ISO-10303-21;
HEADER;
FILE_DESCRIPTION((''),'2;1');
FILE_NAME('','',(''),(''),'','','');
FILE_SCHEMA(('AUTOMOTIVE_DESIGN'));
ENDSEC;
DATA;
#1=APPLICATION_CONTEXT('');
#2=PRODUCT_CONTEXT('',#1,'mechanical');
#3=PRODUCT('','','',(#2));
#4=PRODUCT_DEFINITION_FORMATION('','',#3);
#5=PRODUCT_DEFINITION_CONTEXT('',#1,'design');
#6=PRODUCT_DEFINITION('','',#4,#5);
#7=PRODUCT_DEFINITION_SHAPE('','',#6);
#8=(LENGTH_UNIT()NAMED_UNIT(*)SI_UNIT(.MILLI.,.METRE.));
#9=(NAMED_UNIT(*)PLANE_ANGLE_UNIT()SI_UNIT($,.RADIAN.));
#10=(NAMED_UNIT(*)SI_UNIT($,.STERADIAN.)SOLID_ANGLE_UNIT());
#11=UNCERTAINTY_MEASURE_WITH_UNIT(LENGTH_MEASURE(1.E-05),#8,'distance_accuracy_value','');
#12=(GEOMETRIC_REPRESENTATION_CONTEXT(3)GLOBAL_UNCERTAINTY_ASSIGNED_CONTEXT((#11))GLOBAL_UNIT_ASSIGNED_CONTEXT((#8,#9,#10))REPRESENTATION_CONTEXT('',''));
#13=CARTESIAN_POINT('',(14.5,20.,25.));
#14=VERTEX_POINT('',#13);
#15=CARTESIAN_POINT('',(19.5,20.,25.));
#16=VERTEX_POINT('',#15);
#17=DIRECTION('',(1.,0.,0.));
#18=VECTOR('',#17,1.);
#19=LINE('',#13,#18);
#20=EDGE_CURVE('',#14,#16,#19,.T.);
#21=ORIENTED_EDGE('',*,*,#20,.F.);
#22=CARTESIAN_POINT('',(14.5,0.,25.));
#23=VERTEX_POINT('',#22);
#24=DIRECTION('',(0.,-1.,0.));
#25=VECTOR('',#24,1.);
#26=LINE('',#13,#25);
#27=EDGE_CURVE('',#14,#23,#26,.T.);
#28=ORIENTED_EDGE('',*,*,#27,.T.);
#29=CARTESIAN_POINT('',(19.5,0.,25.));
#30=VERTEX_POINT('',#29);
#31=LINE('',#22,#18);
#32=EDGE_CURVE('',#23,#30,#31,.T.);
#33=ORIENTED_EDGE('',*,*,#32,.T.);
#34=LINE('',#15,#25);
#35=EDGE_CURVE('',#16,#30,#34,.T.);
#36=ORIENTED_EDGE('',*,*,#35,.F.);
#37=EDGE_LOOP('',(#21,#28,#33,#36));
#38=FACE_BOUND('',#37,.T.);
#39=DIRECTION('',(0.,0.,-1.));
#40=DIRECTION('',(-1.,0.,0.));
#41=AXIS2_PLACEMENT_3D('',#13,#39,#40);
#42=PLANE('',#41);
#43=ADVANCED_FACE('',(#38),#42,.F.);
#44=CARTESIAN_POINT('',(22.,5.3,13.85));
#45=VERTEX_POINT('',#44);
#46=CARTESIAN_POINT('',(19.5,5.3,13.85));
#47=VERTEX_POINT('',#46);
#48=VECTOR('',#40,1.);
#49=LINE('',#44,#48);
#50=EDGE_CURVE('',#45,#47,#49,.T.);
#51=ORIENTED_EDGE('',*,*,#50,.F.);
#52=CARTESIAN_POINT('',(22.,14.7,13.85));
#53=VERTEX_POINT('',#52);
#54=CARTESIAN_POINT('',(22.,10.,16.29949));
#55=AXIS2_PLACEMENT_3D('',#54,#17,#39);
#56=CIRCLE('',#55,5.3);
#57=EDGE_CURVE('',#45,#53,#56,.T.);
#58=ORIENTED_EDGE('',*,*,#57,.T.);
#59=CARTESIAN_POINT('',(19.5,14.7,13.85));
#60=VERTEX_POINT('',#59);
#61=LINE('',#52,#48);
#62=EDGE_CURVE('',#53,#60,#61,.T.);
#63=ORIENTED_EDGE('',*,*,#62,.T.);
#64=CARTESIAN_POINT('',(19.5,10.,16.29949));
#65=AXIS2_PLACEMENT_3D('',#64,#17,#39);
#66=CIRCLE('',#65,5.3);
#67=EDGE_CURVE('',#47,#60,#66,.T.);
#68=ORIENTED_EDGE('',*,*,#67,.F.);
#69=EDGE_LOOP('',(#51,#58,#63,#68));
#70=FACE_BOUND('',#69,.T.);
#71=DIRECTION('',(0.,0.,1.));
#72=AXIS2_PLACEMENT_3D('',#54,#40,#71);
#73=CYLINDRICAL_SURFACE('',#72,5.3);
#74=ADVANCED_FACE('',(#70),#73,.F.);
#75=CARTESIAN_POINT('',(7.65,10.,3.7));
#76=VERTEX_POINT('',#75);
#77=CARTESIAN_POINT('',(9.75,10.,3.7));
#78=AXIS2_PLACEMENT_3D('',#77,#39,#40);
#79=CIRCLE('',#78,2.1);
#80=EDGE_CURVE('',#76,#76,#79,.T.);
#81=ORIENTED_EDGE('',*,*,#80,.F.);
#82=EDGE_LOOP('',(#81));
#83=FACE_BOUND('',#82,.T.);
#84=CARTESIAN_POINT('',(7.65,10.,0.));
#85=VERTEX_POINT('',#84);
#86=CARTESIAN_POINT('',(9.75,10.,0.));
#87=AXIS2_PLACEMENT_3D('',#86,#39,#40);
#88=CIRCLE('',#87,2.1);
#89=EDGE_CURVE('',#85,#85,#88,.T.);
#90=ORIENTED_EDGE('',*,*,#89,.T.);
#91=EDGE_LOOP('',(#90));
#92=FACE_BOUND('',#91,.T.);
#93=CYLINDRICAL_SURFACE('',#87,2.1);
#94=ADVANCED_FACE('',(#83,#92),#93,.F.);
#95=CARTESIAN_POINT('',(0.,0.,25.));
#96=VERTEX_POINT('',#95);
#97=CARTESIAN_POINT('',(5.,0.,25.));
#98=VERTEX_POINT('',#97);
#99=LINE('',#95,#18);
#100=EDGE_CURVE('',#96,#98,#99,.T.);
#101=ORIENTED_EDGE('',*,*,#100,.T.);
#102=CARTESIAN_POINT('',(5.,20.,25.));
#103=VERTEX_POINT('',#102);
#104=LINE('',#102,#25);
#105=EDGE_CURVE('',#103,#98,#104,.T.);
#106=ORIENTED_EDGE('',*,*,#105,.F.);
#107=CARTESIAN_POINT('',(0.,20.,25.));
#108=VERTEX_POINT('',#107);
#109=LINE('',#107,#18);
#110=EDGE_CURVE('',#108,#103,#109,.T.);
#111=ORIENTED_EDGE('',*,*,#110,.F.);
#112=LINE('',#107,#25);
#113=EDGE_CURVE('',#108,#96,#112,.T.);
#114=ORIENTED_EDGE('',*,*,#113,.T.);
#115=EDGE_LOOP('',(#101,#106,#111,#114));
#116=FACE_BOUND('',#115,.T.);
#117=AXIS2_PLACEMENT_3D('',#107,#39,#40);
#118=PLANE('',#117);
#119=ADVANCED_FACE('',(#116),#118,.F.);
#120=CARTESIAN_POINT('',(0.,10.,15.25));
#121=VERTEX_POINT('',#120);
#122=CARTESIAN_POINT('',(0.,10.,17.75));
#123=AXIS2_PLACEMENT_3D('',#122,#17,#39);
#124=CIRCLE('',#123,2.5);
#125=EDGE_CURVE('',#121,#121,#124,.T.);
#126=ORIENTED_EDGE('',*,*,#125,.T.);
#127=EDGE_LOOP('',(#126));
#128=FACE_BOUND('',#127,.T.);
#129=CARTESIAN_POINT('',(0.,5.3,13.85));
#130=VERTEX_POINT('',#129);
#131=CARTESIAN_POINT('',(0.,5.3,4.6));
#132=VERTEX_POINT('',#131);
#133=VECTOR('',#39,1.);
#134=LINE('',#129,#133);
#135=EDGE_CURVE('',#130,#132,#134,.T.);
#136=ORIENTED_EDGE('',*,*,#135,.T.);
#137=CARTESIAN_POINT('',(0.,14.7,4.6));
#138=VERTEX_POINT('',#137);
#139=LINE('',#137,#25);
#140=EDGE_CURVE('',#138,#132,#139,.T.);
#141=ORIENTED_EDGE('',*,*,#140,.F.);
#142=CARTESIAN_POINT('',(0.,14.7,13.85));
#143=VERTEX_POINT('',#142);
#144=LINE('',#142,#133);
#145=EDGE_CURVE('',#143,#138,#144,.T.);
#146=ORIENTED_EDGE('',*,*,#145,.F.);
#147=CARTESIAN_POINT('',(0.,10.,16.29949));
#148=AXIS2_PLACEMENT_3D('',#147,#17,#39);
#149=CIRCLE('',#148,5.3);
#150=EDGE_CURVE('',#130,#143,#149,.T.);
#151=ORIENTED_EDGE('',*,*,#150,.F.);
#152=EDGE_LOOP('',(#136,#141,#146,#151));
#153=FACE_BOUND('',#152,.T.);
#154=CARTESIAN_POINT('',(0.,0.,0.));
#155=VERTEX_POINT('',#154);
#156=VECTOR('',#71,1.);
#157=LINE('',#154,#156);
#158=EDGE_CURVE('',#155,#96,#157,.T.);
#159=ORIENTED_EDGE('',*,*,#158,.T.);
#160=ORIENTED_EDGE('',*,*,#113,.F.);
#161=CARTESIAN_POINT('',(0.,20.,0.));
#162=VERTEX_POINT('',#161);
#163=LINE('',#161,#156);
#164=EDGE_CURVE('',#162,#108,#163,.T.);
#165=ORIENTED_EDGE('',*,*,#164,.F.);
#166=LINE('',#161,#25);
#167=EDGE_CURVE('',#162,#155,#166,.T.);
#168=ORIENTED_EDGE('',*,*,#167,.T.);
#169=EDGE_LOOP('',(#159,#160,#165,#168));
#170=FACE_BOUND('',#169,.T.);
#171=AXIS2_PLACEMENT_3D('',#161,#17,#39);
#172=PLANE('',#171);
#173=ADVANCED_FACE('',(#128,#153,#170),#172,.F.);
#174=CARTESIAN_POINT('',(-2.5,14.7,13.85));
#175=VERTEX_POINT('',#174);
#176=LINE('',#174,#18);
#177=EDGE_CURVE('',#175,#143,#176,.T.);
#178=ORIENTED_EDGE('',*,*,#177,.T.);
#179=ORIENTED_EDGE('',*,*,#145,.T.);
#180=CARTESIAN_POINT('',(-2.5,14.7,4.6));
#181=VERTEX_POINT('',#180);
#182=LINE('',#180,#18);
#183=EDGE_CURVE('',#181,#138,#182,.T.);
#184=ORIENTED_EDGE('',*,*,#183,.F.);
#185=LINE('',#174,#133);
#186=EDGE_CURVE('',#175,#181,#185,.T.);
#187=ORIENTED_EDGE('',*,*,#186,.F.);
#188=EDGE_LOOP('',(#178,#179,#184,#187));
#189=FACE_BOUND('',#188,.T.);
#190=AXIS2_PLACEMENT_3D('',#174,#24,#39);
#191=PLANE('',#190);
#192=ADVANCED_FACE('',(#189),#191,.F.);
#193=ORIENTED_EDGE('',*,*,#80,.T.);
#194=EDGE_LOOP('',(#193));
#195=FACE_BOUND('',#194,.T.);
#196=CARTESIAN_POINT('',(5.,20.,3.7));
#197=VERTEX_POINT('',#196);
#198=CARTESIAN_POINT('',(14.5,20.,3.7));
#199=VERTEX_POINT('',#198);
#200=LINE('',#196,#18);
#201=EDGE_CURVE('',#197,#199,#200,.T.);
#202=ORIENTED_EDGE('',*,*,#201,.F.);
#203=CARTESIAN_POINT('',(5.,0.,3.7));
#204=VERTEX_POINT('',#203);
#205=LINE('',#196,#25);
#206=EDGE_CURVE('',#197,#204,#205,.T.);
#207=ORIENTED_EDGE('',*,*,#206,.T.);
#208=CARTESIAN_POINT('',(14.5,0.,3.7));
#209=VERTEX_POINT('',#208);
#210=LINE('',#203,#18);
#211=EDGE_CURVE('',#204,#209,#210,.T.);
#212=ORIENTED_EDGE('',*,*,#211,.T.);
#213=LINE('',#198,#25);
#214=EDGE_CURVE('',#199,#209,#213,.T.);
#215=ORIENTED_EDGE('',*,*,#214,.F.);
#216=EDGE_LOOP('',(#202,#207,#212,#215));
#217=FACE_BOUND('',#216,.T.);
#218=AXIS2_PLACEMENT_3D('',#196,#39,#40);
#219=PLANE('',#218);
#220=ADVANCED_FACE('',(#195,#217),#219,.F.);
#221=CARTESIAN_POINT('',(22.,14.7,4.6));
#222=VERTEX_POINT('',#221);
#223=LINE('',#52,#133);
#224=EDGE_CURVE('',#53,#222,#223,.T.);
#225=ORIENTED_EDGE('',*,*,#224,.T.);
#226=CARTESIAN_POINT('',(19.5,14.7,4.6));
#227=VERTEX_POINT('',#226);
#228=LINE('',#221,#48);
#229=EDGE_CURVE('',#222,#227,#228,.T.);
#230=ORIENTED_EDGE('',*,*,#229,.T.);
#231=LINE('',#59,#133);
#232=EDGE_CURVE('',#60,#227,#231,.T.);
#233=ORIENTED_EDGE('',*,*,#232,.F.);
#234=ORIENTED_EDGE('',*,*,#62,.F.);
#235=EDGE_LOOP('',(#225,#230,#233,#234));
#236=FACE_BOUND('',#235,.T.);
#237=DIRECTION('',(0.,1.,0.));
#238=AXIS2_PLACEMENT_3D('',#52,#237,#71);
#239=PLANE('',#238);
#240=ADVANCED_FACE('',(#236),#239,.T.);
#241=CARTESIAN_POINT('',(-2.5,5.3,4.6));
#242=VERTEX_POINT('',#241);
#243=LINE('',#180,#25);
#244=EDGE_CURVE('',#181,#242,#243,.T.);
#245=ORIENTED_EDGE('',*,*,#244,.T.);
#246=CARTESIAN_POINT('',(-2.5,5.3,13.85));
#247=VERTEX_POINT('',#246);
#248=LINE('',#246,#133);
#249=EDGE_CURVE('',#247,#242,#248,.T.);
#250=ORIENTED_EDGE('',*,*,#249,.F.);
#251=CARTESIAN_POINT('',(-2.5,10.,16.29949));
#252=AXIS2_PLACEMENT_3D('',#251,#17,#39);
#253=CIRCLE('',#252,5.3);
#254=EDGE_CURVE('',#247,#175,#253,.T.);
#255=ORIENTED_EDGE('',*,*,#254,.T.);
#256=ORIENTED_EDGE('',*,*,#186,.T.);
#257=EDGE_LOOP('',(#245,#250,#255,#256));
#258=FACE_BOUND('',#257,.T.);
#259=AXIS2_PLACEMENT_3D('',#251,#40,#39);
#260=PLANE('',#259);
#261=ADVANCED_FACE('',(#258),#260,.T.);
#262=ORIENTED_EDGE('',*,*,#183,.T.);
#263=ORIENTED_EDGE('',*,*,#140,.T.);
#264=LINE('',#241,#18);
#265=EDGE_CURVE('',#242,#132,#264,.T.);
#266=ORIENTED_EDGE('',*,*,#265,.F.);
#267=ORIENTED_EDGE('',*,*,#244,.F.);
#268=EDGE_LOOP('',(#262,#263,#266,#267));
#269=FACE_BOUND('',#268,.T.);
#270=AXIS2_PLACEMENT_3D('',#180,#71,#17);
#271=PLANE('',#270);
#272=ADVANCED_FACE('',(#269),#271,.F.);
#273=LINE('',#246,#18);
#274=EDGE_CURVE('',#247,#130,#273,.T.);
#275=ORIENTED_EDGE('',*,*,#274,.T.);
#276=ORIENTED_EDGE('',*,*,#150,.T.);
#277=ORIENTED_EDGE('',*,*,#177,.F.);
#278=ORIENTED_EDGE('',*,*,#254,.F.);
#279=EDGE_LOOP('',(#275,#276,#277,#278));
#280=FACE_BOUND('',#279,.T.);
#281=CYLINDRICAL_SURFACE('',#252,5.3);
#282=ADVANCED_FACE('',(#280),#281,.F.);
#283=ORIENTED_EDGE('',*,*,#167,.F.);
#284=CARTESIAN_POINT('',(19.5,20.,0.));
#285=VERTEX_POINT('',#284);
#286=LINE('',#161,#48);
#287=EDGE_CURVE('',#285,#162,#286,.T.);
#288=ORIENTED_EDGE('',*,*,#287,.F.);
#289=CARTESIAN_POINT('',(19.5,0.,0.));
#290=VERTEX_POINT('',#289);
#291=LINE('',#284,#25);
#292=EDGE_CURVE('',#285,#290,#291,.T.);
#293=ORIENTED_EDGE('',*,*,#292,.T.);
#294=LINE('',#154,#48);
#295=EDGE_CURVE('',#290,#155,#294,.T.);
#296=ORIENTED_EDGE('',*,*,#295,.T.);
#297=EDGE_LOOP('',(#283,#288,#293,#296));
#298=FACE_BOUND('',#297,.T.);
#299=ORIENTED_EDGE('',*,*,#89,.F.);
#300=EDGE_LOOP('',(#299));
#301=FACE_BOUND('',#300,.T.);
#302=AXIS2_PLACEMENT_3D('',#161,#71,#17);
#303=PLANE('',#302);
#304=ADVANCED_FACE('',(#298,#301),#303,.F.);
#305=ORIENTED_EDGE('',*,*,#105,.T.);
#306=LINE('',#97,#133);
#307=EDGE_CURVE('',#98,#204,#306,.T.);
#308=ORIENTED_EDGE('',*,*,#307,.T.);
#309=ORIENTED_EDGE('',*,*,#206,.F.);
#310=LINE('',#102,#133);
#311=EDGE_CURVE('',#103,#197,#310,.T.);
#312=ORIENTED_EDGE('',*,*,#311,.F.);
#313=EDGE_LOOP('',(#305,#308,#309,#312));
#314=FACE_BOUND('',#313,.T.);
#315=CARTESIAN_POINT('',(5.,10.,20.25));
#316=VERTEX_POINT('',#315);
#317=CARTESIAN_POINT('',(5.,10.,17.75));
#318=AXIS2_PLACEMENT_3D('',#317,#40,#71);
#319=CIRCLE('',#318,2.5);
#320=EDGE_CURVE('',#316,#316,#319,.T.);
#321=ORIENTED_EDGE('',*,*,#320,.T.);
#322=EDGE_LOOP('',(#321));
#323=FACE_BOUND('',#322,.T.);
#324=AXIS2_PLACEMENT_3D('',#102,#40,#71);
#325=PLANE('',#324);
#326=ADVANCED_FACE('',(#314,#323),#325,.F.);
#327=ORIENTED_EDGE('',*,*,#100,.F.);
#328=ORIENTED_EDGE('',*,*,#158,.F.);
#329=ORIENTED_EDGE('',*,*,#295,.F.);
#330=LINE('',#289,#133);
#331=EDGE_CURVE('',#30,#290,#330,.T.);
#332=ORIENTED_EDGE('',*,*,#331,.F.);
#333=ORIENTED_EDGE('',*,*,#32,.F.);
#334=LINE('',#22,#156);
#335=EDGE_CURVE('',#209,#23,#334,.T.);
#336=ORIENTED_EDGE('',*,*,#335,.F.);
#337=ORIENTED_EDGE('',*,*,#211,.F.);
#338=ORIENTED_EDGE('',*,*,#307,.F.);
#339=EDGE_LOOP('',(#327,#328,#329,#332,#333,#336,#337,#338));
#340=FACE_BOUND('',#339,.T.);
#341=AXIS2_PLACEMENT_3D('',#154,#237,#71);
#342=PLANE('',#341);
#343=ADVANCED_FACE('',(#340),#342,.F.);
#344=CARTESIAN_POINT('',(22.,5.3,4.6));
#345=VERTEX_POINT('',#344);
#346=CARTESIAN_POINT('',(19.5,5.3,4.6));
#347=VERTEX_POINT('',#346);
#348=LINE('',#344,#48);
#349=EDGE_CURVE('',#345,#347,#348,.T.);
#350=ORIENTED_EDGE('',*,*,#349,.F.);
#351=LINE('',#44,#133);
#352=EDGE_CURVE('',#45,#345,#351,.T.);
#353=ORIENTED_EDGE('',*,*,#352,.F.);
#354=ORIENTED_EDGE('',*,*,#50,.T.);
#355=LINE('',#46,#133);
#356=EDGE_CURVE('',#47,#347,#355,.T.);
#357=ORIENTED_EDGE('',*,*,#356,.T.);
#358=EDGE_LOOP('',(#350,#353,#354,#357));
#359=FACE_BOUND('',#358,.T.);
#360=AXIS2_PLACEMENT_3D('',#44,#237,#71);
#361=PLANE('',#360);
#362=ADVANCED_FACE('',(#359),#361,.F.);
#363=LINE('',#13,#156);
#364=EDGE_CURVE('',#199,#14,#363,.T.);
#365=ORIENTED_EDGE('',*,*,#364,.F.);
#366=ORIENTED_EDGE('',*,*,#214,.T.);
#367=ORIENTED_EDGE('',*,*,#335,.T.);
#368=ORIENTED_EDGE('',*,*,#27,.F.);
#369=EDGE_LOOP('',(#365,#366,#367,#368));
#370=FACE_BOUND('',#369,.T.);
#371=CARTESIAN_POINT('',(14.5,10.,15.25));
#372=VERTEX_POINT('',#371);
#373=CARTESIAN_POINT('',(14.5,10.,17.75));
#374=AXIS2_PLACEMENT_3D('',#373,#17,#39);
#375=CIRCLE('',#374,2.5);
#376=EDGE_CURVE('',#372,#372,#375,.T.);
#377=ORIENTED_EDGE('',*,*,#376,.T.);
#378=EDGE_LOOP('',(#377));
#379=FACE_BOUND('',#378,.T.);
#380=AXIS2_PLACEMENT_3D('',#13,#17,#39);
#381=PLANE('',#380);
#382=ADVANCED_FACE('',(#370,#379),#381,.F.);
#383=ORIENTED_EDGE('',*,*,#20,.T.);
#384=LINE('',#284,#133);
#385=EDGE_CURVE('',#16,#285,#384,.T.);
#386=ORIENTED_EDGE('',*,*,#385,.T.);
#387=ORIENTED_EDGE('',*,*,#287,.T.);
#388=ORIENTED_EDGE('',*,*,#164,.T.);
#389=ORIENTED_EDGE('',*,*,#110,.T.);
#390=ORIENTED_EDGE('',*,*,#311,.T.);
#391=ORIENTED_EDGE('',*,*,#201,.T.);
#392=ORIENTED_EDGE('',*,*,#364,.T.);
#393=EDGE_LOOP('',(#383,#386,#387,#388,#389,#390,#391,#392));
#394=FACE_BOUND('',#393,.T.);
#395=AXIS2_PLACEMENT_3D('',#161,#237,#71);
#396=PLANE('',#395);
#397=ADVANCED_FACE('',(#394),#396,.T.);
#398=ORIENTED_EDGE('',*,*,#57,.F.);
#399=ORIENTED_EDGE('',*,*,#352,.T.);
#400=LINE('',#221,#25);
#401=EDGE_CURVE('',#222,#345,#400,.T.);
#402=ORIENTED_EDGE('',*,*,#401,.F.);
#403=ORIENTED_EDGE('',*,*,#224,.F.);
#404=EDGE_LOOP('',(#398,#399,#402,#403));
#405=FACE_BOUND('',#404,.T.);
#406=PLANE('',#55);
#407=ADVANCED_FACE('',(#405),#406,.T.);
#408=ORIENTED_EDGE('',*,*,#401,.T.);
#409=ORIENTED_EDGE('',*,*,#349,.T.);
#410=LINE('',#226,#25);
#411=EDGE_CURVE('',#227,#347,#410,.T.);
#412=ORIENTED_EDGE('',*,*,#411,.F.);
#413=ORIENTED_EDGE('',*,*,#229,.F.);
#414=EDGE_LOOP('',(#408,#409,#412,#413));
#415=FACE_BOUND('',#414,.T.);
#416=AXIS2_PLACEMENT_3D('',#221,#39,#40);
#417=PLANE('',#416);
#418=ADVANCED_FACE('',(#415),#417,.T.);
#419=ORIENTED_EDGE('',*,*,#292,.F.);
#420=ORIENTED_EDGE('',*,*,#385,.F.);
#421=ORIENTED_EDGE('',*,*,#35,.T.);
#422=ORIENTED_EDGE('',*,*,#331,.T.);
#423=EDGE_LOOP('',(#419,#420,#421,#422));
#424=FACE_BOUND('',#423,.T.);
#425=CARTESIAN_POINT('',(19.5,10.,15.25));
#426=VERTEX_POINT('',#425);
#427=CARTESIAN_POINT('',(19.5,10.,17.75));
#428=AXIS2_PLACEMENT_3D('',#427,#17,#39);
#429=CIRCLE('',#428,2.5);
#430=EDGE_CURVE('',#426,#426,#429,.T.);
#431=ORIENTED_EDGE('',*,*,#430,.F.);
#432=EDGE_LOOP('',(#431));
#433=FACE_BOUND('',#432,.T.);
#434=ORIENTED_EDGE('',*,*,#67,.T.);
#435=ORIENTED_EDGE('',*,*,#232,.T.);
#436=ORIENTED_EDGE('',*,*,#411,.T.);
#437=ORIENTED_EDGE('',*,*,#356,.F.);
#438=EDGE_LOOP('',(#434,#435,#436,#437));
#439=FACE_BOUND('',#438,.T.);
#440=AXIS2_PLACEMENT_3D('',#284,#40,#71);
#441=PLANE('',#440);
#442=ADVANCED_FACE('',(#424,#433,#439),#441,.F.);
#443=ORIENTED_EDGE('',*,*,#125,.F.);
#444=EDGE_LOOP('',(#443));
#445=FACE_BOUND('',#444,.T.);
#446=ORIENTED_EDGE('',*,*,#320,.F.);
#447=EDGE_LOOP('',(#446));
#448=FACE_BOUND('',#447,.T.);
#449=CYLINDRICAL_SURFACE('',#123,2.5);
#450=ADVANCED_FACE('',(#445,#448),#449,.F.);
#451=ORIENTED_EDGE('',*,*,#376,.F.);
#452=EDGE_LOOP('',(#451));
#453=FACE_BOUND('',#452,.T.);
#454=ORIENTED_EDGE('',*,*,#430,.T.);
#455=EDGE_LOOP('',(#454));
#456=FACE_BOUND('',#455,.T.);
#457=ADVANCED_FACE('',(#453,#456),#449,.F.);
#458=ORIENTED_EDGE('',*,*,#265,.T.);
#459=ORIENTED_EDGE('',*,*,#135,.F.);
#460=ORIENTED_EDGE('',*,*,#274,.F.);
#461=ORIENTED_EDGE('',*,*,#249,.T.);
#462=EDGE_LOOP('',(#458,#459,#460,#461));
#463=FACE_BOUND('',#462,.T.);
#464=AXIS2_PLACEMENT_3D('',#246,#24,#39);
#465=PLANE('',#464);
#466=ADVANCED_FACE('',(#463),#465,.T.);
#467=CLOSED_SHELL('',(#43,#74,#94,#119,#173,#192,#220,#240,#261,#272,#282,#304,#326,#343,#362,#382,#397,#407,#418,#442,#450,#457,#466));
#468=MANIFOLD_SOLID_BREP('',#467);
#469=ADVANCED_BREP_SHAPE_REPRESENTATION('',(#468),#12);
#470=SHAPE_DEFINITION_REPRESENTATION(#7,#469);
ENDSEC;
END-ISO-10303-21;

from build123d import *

# Parameters (mm, degrees)
BOSS_EXTRUDE1_DEPTH = 20
M5_TAPPED_HOLE1_D   = 4.2
SKETCH5_R           = 2.5
CUT_EXTRUDE1_DEPTH  = 38.486664295
BOSS_EXTRUDE2_DEPTH = 2.5


with BuildPart() as part:
    # Sketch1 → Boss-Extrude1 (new body)
    with BuildSketch(Plane(origin=(0, 0, 0), x_dir=(1, 0, 0), z_dir=(0, 1, 0))):
        Polygon((14.5, -25), (19.5, -25), (19.5, 0), (0, 0), (0, -25), (5, -25), (5, -3.7), (14.5, -3.7), align=None)
    extrude(amount=BOSS_EXTRUDE1_DEPTH)

    # M5 Tapped Hole1 (through all)
    with Locations(Plane(origin=(0, 0, 0), x_dir=(-1, 0, 0), z_dir=(0, 0, -1))):
        with Locations((-9.75, 10)):
            Hole(M5_TAPPED_HOLE1_D / 2)

    # Sketch5 → Cut-Extrude1 (cut, through all)
    with BuildSketch(Plane(origin=(19.5, 0, 0), x_dir=(0, 0, -1), z_dir=(1, 0, 0))):
        with Locations((-17.75, 10)):
            Circle(SKETCH5_R)
    extrude(amount=-CUT_EXTRUDE1_DEPTH, mode=Mode.SUBTRACT)

    # Sketch6 → Boss-Extrude2 (add)
    with BuildSketch(Plane(origin=(19.5, 0, 0), x_dir=(0, 0, -1), z_dir=(1, 0, 0))):
        with BuildLine():
            Line((-13.85, 14.7), (-4.6, 14.7))
            Line((-4.6, 14.7), (-4.6, 5.3))
            Line((-4.6, 5.3), (-13.85, 5.3))
            ThreePointArc((-13.85, 5.3), (-10.999489743, 10), (-13.85, 14.7))
        make_face()
    boss_extrude2 = extrude(amount=BOSS_EXTRUDE2_DEPTH)

    # Mirror1: Boss-Extrude2 across plane
    add(boss_extrude2.mirror(Plane(origin=(9.75, 0, 0), x_dir=(0, 0, 1), z_dir=(1, 0, 0))))


solid = part.part
